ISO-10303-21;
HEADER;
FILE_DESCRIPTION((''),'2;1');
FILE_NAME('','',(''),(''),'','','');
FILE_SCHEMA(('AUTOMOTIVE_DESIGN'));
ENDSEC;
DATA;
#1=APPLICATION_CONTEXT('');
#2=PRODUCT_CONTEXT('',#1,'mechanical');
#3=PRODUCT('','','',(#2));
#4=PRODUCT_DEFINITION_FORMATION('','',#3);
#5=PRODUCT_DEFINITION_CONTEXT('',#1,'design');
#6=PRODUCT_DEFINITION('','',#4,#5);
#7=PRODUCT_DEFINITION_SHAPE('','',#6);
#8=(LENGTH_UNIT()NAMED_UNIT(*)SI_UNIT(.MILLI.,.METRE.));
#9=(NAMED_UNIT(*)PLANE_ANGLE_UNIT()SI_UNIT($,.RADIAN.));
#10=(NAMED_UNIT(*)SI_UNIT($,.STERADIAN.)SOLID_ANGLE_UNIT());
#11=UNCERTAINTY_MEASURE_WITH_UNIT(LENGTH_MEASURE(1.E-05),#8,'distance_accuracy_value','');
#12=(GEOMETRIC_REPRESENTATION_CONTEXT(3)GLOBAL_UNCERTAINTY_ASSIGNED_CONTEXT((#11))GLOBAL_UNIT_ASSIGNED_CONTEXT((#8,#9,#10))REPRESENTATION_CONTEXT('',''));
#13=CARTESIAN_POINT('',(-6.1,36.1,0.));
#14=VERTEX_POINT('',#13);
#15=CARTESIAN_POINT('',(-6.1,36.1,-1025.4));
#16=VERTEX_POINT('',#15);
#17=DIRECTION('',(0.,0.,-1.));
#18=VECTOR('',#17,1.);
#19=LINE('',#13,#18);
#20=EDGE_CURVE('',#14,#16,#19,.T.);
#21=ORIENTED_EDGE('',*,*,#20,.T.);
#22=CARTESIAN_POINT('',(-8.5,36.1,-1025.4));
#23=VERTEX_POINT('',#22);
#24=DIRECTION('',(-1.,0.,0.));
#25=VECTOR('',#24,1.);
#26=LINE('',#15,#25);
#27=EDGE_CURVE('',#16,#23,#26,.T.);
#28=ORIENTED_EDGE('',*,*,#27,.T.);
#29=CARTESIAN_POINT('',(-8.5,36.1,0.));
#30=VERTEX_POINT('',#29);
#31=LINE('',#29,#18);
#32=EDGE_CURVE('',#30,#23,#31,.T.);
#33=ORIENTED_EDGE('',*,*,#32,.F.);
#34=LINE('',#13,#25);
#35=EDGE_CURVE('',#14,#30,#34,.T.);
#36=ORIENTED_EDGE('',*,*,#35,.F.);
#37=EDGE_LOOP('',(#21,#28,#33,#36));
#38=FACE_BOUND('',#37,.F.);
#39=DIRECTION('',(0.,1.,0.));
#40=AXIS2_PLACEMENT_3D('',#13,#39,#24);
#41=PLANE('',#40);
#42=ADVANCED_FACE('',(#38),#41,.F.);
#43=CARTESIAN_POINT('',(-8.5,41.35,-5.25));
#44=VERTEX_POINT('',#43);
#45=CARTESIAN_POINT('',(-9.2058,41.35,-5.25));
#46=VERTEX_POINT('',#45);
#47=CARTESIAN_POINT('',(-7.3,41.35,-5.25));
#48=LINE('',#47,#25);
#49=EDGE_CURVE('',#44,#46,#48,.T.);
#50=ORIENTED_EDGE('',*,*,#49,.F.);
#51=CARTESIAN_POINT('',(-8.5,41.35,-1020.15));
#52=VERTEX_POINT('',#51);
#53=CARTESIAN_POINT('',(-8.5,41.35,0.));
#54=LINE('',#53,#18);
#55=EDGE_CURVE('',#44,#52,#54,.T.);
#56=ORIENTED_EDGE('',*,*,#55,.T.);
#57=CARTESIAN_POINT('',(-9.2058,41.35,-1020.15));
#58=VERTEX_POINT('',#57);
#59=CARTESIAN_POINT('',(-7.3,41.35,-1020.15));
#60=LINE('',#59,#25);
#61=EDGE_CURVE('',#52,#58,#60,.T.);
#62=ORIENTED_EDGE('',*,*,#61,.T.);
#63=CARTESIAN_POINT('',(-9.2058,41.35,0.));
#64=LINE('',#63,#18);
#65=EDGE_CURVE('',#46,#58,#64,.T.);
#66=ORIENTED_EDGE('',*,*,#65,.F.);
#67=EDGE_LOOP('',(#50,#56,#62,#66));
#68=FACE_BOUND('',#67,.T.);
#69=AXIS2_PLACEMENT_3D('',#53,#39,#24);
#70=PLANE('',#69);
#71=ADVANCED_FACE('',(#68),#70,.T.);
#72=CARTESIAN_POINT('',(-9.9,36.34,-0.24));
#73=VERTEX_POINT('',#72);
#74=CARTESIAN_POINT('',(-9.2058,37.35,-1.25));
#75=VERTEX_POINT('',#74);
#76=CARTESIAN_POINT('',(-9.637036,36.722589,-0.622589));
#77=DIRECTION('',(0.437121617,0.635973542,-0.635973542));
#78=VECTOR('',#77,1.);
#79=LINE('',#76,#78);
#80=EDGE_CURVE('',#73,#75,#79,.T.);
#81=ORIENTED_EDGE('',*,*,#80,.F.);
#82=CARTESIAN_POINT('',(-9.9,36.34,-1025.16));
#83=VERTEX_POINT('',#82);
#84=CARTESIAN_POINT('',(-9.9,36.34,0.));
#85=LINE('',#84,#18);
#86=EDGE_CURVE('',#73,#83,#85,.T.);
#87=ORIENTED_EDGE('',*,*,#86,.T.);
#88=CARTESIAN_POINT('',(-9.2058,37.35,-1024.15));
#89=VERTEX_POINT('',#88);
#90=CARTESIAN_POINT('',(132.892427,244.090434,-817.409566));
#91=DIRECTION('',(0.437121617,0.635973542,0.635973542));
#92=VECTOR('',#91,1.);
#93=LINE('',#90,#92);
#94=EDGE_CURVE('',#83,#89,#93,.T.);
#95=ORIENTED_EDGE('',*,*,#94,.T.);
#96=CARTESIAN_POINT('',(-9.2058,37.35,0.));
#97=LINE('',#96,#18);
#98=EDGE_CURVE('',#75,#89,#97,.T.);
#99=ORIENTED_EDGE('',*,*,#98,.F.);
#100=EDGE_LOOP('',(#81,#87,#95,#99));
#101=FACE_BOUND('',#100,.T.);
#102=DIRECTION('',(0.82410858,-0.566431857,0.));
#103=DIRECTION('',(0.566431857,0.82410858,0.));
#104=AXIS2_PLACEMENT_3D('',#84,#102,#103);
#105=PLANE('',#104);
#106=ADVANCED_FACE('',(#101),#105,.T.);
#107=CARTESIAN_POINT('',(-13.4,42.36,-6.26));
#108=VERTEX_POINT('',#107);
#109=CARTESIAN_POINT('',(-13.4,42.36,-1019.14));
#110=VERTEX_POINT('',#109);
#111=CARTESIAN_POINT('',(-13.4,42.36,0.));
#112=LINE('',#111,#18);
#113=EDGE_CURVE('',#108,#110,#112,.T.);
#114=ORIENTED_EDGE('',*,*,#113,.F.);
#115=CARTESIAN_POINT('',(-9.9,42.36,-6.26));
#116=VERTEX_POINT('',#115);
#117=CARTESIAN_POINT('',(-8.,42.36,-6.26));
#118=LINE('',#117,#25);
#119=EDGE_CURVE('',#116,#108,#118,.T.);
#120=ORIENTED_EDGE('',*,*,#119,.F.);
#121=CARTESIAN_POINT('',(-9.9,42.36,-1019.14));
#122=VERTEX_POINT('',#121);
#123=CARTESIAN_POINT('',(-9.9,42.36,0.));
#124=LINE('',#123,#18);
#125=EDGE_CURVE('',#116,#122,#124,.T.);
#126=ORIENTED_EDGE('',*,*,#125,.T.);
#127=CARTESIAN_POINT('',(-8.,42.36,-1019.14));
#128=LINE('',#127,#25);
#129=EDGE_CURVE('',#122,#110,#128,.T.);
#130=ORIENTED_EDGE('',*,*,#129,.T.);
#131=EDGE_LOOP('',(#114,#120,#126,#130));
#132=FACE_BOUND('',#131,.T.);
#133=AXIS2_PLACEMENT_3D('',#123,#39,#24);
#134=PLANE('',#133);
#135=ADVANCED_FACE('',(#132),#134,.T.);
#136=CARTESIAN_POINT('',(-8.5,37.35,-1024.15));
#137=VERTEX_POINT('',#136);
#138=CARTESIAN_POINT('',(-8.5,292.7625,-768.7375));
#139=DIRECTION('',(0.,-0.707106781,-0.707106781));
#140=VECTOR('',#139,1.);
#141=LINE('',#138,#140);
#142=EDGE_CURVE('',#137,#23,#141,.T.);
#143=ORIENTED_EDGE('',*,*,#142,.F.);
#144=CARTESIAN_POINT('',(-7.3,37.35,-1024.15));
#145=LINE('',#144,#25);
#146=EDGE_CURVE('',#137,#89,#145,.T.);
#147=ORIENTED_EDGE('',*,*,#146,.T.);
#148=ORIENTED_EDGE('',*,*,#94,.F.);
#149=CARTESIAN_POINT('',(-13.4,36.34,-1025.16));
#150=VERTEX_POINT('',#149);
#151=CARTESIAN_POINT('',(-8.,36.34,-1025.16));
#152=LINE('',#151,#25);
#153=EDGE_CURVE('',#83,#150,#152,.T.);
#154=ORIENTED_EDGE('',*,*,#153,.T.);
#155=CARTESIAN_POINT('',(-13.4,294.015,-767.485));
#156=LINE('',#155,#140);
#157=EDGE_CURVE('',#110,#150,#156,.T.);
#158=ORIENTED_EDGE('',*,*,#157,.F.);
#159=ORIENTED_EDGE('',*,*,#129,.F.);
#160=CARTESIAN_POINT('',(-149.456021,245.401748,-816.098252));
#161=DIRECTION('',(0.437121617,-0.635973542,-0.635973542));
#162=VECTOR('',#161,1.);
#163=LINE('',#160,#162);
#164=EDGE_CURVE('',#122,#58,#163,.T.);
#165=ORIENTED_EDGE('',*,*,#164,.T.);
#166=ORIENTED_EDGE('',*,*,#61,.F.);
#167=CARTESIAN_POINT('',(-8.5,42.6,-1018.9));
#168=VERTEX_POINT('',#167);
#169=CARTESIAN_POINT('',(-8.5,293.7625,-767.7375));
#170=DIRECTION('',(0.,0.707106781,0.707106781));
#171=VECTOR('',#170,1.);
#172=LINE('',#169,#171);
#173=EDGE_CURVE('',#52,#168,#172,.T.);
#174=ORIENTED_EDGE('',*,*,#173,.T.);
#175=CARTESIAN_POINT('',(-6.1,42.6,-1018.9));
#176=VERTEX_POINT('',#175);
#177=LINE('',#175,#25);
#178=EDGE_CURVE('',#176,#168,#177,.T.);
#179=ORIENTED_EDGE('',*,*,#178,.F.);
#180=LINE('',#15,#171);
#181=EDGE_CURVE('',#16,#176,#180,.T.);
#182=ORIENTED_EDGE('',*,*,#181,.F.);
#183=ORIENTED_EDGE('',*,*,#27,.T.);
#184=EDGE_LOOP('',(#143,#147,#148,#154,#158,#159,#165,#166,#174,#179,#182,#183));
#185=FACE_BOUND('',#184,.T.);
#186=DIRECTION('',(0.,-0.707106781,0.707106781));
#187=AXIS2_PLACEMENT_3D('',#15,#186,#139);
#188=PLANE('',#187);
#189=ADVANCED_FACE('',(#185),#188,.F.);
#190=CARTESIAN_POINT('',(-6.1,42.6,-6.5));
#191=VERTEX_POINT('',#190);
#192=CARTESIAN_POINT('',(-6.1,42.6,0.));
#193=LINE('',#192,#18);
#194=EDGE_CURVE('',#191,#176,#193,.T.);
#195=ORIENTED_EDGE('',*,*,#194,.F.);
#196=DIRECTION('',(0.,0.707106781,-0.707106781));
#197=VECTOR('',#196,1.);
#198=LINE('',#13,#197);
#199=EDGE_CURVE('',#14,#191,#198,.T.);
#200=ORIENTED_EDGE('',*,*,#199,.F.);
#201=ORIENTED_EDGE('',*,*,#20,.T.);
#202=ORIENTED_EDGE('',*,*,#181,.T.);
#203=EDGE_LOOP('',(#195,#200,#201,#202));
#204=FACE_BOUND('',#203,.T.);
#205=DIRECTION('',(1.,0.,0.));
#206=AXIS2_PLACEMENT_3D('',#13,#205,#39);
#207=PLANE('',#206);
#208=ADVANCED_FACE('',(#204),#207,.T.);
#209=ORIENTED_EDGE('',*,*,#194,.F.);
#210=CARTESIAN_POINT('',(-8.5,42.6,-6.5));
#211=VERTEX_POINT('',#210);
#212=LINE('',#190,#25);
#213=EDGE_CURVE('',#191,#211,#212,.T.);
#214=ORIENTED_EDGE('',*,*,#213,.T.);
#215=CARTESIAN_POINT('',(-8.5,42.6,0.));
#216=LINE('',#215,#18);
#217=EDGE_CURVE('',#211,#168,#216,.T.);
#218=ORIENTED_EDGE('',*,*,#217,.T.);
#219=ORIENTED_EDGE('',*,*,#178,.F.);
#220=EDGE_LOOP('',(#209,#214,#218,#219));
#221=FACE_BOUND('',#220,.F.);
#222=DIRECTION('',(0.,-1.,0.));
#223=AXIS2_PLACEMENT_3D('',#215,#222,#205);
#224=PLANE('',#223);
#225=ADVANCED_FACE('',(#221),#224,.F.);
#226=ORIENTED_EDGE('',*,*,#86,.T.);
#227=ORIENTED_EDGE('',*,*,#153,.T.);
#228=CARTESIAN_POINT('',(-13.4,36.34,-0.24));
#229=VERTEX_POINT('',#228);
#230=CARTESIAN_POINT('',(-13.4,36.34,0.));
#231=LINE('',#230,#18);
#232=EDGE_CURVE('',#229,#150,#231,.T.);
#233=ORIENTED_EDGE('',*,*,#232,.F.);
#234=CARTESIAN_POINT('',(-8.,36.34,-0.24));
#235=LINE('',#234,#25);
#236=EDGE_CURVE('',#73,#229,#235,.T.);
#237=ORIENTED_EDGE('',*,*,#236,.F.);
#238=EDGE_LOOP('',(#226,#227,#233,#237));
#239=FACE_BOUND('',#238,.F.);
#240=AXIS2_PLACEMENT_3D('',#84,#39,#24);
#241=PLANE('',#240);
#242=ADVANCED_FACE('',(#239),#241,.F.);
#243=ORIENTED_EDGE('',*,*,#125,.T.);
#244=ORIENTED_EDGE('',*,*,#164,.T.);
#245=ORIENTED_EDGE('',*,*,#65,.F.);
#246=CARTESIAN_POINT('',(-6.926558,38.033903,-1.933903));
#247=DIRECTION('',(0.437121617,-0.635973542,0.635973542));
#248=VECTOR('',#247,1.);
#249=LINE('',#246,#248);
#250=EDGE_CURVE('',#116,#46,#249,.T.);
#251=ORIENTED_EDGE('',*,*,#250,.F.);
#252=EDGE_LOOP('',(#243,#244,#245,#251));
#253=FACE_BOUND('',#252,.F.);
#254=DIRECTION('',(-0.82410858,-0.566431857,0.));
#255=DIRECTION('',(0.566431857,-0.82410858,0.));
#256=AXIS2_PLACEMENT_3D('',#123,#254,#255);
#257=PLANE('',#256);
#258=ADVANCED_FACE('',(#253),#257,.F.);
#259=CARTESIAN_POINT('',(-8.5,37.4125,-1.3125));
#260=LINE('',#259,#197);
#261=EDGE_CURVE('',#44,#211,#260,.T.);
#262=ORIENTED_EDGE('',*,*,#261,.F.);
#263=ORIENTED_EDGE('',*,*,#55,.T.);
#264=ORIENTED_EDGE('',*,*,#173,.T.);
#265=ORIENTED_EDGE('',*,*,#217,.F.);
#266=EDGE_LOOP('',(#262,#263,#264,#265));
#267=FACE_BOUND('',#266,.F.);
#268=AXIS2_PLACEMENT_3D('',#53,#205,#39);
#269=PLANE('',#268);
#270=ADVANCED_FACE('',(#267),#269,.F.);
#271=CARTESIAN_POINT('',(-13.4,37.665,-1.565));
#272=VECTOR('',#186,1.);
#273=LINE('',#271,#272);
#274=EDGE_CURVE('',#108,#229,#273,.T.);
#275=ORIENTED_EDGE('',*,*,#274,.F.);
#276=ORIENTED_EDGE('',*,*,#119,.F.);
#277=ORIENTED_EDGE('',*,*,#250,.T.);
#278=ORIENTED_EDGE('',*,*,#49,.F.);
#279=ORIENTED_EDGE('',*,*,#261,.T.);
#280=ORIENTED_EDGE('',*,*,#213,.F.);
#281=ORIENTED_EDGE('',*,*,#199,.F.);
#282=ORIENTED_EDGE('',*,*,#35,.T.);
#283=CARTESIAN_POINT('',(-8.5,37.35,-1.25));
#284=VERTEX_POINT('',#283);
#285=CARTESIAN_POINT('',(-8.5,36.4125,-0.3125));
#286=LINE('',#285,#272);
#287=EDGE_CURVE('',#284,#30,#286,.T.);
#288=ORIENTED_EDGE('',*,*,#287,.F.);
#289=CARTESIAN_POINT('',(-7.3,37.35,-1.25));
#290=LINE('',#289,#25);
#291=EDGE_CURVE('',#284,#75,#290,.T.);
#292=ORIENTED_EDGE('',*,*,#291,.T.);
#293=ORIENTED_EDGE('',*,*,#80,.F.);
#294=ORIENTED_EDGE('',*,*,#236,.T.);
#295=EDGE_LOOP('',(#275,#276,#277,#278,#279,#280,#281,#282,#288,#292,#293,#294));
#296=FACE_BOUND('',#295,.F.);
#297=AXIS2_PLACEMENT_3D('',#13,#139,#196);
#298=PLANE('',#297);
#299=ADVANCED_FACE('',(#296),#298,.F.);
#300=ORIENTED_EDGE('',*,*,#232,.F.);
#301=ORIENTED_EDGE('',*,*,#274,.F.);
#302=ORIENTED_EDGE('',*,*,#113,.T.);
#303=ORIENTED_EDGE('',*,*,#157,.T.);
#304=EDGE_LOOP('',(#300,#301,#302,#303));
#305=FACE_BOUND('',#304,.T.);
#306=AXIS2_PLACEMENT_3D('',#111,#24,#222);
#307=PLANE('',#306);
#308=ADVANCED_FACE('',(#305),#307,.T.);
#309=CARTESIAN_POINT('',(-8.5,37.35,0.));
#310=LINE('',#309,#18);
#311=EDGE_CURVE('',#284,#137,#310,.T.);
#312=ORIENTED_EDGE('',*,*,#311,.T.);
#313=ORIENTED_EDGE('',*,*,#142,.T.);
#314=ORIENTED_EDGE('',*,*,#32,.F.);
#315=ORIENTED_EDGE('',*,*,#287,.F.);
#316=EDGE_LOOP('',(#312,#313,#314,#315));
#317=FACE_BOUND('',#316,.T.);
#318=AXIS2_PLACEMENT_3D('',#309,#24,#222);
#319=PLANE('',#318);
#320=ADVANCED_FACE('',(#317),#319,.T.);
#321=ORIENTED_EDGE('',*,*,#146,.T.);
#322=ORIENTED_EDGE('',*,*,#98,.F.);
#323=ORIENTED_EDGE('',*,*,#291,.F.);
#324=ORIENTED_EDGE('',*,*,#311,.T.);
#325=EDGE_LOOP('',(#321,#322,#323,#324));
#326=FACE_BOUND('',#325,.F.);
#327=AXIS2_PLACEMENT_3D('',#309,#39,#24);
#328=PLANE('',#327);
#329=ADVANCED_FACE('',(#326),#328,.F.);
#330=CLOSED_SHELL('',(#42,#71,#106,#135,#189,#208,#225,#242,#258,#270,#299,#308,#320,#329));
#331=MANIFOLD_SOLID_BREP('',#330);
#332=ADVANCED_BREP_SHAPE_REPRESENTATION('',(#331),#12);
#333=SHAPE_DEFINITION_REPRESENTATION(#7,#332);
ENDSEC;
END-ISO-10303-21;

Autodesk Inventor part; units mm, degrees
ref_plane "YZ Plane" through (0, 0, 0) normal (1, 0, 0) x (0, 1, 0)
ref_plane "XZ Plane" through (0, 0, 0) normal (0, 1, 0) x (-1, 0, 0)
ref_plane "XY Plane" through (0, 0, 0) normal (0, 0, 1) x (1, 0, 0)
sketch "Sketch1" plane through (0, 0, 0) normal (0, 0, 1) x (1, 0, 0)
  line L0 (-8.5, 42.6) -> (-6.1, 42.6)
  line L1 (-6.1, 36.1) -> (-8.5, 36.1)
  line L2 (-6.1, 36.1) -> (-6.1, 42.6)
  line L3 (-8.5, 37.35) -> (-8.5, 36.1)
  line L4 (-8.5, 41.35) -> (-8.5, 42.6)
  line L5 (-8.5, 37.35) -> (-9.2058, 37.35)
  line L6 (-8.5, 41.35) -> (-9.2058, 41.35)
  line L7 (-9.9, 42.36) -> (-9.2058, 41.35)
  line L8 (-9.9, 36.34) -> (-9.2058, 37.35)
  line L9 (-9.9, 36.34) -> (-13.4, 36.34)
  line L10 (-9.9, 42.36) -> (-13.4, 42.36)
  line L11 (-13.4, 42.36) -> (-13.4, 36.34)
  point P0 (-8.5, 41.975)
  point P1 (-6.1, 39.35)
  dimension "d27" = 6.5
  dimension "d28" = 2.4
  dimension "d29" = 2.4
  dimension "d35" = 111
  dimension "d36" = 4
  dimension "d37" = 6.02
  dimension "d38" = 0.7058
  dimension "d39" = 0.7058
  dimension "d43" = 3.01
  dimension "d44" = 2
  dimension "d63" = 3.5
  dimension "d64" = 3.5
extrude "Extrusion1" add sketch "Sketch1" against normal blind 1025.4
ref_plane "Plano de trabajo3" through (0, 0, -512.7) normal (0, 0, 1) x (1, 0, 0)
sketch "Boceto2" plane through (-6.1, 36.1, 0) normal (1, 0, 0) x (0, 0, -1)
  line L0 (0, 0) -> (6.5, 6.5)
  line L1 (0, 6.5) -> (1025.4, 6.5) projected
  line L2 (6.5, 6.5) -> (0, 6.5)
  line L3 (6.5, 6.5) -> (0, 6.5)
  line L4 (0, 6.5) -> (0, 0)
  point P0 (0, -36.1)
  dimension "d65" = 45
extrude "Extrusión3" cut sketch "Boceto2" against normal through all
mirror "Simetría3" about plane through (0, 0, -512.7) normal (0, 0, 1) of "Extrusión3"
properties part number "SP40-10 JUNTA INT 1026.2 mm" material "Rubber"
